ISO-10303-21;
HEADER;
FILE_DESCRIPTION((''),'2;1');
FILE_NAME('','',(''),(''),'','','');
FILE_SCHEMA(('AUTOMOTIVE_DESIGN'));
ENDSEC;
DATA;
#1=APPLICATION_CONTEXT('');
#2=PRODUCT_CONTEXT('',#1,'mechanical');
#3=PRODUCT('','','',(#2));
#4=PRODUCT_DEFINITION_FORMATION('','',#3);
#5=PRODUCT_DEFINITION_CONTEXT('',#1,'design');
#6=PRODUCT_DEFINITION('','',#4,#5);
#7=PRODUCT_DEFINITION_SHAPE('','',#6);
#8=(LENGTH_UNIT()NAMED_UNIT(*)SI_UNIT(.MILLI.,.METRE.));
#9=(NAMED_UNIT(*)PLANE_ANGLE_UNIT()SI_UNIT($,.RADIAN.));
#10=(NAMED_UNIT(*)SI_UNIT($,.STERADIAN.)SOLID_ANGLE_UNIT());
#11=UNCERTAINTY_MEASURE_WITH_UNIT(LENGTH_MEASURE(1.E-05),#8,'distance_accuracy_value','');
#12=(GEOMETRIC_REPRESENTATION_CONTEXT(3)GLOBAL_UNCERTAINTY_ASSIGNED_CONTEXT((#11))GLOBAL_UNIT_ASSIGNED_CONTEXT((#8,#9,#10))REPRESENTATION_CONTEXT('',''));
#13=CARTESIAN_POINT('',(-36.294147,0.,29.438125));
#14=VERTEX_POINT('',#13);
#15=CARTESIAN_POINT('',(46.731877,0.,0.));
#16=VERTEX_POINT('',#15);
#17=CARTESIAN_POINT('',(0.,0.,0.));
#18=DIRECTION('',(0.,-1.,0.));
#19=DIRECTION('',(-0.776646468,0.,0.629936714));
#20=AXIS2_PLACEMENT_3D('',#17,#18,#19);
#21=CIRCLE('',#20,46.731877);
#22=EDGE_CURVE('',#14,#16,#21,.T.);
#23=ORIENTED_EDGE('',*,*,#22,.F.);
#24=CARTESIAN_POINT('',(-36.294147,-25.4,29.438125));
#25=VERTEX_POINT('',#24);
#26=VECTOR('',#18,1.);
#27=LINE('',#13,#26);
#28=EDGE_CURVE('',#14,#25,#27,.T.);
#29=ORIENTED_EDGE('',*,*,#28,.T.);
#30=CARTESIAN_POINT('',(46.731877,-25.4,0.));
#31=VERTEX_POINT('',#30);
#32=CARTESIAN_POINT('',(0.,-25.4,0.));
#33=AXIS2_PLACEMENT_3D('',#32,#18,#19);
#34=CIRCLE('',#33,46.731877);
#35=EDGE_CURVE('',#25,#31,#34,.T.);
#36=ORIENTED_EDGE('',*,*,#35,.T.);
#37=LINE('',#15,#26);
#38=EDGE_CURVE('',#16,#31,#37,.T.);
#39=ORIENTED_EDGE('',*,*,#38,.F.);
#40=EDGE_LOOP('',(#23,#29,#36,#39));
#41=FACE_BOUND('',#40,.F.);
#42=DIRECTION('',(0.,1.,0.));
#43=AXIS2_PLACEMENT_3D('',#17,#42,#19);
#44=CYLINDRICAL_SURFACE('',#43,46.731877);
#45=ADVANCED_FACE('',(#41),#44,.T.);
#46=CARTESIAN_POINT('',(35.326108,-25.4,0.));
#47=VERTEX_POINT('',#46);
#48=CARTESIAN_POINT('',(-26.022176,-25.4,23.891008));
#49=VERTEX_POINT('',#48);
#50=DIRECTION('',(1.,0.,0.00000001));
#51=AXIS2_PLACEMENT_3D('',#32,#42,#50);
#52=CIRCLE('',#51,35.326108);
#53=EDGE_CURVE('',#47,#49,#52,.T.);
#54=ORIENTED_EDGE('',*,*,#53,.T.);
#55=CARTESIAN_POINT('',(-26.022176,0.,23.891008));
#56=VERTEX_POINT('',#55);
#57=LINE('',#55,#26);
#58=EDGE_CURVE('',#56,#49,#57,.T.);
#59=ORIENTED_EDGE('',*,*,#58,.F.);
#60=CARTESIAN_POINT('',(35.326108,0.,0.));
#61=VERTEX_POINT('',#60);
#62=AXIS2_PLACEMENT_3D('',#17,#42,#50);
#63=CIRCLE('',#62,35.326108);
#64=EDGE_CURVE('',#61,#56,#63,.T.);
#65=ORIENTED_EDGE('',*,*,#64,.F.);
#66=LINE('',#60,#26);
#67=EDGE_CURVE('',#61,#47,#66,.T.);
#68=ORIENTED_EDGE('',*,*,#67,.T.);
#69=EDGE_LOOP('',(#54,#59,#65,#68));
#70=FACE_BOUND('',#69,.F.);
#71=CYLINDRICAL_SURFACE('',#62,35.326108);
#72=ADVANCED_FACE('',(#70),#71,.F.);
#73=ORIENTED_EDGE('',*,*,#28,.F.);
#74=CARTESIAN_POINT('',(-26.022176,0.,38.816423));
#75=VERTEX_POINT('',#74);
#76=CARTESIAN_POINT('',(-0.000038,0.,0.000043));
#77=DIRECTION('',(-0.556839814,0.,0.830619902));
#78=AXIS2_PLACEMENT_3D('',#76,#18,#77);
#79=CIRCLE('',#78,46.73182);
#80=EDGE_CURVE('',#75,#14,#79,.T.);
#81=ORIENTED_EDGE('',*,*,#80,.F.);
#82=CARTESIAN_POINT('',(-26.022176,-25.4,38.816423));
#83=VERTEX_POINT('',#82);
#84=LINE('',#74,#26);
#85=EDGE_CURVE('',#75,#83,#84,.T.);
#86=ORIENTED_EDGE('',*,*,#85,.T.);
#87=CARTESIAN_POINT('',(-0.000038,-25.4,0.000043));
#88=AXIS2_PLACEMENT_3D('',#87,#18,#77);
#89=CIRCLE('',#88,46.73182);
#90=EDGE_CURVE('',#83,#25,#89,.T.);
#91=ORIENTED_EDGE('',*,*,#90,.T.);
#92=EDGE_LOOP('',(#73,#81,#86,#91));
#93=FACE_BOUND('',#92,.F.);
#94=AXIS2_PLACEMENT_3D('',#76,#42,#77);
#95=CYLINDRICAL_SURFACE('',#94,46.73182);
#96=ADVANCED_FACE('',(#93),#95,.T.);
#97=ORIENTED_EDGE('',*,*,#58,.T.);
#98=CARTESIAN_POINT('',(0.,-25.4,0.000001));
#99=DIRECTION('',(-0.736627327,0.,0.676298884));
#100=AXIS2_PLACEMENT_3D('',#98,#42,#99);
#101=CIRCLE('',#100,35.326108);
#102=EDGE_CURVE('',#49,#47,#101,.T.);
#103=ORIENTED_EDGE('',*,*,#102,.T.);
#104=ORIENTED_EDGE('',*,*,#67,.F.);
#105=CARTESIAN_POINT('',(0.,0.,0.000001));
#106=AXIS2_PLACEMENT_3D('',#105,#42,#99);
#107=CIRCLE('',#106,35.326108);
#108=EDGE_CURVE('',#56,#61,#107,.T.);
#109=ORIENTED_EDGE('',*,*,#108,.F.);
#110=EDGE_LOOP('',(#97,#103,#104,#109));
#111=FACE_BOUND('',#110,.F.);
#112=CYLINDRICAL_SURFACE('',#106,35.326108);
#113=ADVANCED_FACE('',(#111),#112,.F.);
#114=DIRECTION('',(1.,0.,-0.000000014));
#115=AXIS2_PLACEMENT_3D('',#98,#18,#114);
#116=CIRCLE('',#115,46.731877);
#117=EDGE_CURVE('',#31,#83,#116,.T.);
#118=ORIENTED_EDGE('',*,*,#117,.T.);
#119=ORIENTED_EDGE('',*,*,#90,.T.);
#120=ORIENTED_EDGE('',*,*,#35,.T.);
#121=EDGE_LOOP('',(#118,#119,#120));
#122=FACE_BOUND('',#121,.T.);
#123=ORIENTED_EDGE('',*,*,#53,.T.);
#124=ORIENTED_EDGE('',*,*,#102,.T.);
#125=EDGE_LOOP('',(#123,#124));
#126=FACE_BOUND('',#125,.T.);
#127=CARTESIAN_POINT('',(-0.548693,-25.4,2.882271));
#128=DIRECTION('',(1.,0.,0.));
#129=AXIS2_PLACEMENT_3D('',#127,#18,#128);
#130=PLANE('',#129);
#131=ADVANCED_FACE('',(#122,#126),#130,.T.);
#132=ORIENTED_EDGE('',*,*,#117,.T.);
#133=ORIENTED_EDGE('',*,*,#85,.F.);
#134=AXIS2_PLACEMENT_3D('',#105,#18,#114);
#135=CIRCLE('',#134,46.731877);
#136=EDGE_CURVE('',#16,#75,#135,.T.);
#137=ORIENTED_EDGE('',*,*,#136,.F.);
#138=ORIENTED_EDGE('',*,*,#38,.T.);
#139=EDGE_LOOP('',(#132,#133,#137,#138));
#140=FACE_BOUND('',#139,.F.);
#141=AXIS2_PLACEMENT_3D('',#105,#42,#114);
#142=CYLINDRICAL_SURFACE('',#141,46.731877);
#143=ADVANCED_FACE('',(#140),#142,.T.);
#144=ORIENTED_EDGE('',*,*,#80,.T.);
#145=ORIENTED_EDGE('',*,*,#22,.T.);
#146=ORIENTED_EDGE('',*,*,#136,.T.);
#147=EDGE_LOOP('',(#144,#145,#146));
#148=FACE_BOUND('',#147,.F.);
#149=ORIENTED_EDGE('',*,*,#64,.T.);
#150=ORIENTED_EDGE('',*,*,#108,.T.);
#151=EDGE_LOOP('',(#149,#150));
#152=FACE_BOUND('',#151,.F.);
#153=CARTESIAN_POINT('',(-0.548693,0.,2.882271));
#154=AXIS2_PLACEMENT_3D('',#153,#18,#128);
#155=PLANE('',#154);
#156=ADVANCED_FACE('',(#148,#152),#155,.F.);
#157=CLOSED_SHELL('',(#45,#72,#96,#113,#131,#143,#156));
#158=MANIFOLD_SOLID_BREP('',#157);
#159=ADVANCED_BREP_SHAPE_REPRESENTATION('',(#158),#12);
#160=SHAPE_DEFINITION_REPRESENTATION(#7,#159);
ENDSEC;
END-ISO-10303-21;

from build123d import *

# Parameters (mm, degrees)
F1_DEPTH = 25.4


with BuildPart() as f1:
    # F0 (on Front) → F1 (new body)
    with BuildSketch(Plane.XZ):
        with BuildLine():
            ThreePointArc((-36.294147, 29.438125), (-15.616893, -44.045215), (46.731877, 0))
            ThreePointArc((46.731877, 0), (21.997764, 41.230653), (-26.022176, 38.816423))
            Line((-26.022176, 38.816423), (-26.022176, 23.891008))
            Line((-26.022176, 23.891008), (-36.294147, 29.438125))
        make_face()
        with BuildLine():
            ThreePointArc((35.326108, 0), (-12.819355, -32.918051), (-26.022176, 23.891008))
            ThreePointArc((-26.022176, 23.891008), (12.819355, 32.918051), (35.326108, 0))
        make_face(mode=Mode.SUBTRACT)
        with BuildLine():
            Line((-26.022176, 23.891008), (-26.022176, 38.816423))
            ThreePointArc((-26.022176, 38.816423), (-31.509033, 34.511581), (-36.294147, 29.438125))
            Line((-36.294147, 29.438125), (-26.022176, 23.891008))
        make_face()
    extrude(amount=F1_DEPTH)


solid = f1.part
